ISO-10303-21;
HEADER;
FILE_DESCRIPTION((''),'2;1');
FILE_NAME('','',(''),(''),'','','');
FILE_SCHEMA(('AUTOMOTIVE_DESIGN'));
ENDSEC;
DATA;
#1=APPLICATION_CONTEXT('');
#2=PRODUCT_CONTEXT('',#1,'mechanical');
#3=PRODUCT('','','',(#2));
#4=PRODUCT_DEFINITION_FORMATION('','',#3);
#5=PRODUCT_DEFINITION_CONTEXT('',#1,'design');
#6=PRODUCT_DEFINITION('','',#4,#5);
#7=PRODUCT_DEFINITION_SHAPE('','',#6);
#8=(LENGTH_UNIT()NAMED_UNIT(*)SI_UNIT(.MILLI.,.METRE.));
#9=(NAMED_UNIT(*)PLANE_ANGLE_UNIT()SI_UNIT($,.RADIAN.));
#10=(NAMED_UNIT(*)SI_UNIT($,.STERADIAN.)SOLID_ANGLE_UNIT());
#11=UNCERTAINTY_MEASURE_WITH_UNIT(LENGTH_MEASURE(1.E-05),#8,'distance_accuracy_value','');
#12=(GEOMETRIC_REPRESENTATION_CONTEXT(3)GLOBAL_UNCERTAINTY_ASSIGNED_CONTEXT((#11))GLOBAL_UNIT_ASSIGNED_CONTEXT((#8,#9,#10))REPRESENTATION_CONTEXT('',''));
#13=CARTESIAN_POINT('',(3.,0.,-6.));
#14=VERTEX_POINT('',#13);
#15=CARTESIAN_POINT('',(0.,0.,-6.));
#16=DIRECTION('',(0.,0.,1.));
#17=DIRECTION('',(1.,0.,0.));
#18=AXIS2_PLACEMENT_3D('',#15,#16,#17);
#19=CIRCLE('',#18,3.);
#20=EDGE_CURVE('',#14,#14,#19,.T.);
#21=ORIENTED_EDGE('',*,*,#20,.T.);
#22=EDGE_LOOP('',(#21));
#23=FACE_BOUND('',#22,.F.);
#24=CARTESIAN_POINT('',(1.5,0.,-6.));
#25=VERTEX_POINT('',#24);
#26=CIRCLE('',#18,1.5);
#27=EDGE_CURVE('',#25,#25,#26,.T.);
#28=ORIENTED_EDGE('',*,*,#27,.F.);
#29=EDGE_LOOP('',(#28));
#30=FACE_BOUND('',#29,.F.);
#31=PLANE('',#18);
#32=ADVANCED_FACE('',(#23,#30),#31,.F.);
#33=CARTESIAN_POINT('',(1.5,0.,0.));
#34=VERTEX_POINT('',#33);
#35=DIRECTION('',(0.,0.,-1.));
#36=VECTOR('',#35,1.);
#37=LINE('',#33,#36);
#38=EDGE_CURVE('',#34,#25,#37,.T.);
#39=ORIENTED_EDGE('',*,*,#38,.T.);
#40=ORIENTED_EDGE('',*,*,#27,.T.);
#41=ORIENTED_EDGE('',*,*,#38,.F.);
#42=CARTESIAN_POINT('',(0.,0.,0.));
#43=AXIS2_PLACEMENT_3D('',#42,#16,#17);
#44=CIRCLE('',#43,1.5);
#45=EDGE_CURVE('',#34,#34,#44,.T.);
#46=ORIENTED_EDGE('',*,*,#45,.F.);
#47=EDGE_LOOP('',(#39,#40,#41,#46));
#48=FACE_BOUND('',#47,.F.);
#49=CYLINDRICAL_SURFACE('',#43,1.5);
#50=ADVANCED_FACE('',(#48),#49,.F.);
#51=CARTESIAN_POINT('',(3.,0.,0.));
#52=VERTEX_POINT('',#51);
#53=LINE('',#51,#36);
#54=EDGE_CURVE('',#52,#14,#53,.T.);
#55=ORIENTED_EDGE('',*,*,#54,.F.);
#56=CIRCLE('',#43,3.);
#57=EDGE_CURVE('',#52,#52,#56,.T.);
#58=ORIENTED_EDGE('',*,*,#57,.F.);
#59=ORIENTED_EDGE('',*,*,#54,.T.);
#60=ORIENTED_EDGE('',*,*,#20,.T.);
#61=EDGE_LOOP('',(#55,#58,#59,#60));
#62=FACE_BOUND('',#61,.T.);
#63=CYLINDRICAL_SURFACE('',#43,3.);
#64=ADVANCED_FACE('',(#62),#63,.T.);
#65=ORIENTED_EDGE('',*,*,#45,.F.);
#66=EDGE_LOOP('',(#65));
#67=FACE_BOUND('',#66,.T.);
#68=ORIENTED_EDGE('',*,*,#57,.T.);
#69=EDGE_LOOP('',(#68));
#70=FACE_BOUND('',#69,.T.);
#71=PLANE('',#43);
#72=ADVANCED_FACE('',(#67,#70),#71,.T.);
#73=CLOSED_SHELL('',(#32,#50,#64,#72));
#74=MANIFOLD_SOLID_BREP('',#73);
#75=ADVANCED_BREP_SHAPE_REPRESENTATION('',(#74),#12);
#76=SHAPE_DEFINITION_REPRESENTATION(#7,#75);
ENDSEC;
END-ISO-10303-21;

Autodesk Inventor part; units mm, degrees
ref_plane "YZ Plane" through (0, 0, 0) normal (1, 0, 0) x (0, 1, 0)
ref_plane "XZ Plane" through (0, 0, 0) normal (0, 1, 0) x (-1, 0, 0)
ref_plane "XY Plane" through (0, 0, 0) normal (0, 0, 1) x (1, 0, 0)
sketch "スケッチ1" plane through (0, 0, 0) normal (0, 0, 1) x (1, 0, 0)
  circle A0 centre (0, 0) radius 3
  circle A1 centre (0, 0) radius 1.5
  dimension "d0" = 6
  dimension "d1" = 3
extrude "押し出し1" add sketch "スケッチ1" against normal blind 6
properties part number "PEAKスペーサーm3中空-6" material "PAEK 樹脂"
